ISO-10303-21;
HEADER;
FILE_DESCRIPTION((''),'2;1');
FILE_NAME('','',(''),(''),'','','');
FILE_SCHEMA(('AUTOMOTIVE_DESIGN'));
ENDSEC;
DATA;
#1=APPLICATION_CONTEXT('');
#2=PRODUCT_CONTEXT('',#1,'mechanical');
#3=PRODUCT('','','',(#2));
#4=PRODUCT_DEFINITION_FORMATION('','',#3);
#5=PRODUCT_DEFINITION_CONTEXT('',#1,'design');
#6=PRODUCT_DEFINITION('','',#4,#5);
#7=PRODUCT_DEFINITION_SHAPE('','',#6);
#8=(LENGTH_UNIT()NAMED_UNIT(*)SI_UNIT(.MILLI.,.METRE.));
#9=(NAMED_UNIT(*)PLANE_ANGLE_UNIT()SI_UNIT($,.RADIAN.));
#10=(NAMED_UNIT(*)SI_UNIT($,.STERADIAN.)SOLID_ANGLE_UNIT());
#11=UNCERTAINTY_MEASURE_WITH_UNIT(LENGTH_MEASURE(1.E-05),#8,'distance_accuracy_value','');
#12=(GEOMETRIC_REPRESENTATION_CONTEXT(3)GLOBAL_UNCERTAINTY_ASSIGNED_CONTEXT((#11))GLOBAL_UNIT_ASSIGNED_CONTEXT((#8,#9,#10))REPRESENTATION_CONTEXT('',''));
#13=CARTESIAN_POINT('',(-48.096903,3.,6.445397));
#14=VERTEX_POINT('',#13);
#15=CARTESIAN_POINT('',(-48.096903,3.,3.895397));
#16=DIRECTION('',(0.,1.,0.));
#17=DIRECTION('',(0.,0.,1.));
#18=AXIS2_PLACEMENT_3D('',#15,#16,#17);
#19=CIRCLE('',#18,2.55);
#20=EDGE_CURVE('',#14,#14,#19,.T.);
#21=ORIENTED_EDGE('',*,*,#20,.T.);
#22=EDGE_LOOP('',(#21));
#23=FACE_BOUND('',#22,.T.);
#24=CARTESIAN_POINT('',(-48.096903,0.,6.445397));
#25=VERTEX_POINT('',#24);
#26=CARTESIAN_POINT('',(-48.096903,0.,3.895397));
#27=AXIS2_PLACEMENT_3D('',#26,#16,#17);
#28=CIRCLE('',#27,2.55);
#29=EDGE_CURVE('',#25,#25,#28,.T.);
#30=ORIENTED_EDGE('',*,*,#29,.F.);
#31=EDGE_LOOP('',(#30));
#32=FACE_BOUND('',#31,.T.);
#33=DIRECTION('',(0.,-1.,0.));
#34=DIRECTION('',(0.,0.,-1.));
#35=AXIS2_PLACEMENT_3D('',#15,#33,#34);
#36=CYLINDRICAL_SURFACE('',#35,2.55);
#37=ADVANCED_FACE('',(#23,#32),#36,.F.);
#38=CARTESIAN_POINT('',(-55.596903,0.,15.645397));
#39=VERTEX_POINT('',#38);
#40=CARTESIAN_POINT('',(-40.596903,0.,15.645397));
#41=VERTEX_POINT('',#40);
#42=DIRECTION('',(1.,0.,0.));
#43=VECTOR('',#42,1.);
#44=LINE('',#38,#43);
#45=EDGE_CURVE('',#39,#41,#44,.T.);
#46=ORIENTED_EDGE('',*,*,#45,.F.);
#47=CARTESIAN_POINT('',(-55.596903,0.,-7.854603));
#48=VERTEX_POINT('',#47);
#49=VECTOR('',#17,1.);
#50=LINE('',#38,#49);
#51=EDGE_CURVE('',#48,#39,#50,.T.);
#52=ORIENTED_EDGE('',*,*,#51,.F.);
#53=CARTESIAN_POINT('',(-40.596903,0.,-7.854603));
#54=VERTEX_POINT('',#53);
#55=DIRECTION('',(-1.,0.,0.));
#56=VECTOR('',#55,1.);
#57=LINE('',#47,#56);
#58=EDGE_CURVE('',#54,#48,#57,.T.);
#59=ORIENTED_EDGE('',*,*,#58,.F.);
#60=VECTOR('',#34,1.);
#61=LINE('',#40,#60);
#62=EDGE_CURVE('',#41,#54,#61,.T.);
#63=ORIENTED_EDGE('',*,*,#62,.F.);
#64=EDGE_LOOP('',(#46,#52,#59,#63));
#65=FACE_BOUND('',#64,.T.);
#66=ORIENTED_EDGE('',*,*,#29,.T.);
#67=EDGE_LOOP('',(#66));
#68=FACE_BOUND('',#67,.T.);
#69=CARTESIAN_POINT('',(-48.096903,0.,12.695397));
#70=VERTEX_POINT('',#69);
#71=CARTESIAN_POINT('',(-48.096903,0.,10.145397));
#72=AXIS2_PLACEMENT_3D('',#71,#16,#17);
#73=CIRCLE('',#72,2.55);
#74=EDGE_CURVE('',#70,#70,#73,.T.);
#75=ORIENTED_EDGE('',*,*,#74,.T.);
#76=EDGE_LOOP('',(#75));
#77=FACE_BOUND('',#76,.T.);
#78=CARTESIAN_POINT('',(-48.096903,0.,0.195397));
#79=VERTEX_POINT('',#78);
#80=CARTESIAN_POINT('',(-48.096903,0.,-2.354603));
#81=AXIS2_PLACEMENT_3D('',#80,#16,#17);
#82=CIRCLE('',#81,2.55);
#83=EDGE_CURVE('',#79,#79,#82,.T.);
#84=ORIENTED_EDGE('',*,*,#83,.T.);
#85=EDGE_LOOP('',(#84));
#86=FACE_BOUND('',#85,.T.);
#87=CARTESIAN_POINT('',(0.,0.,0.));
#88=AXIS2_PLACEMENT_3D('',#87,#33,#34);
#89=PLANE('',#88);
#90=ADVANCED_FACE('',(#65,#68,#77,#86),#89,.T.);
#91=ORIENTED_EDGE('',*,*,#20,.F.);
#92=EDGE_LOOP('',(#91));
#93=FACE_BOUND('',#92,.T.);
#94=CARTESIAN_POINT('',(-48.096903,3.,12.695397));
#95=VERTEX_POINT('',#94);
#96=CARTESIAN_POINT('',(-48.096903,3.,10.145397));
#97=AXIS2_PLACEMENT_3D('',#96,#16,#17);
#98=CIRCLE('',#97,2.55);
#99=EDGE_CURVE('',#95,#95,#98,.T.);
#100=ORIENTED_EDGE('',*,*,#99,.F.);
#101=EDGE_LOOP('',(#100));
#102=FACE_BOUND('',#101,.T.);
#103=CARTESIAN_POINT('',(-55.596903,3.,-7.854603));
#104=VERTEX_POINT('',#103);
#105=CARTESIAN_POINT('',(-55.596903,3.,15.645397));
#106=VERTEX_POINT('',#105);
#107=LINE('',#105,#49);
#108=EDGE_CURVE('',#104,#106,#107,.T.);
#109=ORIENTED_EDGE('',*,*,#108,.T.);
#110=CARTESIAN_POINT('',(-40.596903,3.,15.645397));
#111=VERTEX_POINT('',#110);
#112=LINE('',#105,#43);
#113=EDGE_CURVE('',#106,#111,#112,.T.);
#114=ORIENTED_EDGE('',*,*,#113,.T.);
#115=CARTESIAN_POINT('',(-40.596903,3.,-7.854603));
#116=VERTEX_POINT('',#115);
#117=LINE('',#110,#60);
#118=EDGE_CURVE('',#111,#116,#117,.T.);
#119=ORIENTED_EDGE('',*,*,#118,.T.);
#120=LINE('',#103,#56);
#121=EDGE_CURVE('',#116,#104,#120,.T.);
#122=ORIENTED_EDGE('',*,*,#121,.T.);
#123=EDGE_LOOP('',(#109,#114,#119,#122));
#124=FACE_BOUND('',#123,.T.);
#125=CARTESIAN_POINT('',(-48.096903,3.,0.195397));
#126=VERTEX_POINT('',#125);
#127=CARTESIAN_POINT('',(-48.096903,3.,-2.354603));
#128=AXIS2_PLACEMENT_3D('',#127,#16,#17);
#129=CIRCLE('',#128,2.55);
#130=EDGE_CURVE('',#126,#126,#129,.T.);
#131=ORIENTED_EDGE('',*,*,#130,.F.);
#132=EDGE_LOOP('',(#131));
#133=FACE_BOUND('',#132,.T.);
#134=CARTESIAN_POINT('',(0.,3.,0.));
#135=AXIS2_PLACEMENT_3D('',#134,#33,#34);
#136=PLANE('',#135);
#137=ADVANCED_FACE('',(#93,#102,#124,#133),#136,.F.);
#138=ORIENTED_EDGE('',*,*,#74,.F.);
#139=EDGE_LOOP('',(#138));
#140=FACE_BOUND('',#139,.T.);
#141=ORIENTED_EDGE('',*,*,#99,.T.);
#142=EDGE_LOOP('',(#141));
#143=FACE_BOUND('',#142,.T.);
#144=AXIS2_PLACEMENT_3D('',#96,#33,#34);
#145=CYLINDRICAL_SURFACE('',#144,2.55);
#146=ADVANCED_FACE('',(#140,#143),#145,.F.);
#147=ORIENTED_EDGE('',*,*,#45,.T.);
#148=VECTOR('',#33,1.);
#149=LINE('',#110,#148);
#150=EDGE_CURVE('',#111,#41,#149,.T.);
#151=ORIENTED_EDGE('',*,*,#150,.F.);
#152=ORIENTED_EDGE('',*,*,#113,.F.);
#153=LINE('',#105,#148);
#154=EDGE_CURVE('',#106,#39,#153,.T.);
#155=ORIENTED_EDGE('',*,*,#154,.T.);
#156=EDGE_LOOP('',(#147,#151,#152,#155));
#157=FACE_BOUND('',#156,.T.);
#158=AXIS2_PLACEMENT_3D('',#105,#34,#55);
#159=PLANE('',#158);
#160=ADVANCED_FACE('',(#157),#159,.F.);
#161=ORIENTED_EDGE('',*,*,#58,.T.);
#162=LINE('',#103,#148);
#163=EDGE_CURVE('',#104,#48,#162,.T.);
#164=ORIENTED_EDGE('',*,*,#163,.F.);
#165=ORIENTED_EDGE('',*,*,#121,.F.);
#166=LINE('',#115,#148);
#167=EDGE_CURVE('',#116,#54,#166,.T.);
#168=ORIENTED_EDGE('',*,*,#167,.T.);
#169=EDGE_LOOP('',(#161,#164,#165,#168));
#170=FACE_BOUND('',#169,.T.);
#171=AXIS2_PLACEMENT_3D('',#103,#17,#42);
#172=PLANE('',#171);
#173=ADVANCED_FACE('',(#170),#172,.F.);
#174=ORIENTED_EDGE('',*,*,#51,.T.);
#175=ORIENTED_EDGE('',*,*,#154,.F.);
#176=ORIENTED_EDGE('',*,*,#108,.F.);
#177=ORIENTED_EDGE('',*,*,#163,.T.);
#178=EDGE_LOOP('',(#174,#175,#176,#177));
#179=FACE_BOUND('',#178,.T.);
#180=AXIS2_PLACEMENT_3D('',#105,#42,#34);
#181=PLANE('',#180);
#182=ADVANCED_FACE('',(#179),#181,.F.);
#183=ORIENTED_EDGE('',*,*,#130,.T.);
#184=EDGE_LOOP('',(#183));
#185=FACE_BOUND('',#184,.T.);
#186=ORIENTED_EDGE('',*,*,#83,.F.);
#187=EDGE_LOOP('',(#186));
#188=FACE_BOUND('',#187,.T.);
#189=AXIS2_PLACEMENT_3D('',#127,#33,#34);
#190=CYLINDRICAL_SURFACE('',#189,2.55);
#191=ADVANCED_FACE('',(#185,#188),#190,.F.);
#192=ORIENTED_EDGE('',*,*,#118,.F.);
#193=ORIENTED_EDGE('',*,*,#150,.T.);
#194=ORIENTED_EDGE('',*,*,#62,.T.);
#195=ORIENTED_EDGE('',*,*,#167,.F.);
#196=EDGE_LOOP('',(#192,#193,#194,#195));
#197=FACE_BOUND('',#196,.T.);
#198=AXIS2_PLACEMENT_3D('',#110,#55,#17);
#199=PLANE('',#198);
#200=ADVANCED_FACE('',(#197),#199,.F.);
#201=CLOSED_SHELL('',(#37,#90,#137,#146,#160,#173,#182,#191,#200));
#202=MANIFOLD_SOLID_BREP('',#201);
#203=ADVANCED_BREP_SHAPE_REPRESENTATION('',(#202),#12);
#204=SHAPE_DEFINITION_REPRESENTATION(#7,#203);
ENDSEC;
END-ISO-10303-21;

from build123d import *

# Parameters (mm, degrees)
ESBO_O1_W                = 15
ESBO_O1_H                = 23.5
ESBO_O1_R                = 2.55
RESSALTO_EXTRUS_O1_DEPTH = 3


with BuildPart() as part:
    # Esboço1 → Ressalto-extrusão1 (new body)
    with BuildSketch(Plane(origin=(0, 0, 0), x_dir=(1, 0, 0), z_dir=(0, 1, 0))):
        with Locations((-48.09690294, -3.895396601)):
            Rectangle(ESBO_O1_W, ESBO_O1_H)
        with Locations(Location((-48.09690294, 2.354603399, 0), (0, 0, 270))):
            Circle(ESBO_O1_R, mode=Mode.SUBTRACT)
        with Locations(Location((-48.09690294, -3.895396601, 0), (0, 0, 270))):
            Circle(ESBO_O1_R, mode=Mode.SUBTRACT)
        with Locations(Location((-48.09690294, -10.145396601, 0), (0, 0, 270))):
            Circle(ESBO_O1_R, mode=Mode.SUBTRACT)
    extrude(amount=RESSALTO_EXTRUS_O1_DEPTH)


solid = part.part
